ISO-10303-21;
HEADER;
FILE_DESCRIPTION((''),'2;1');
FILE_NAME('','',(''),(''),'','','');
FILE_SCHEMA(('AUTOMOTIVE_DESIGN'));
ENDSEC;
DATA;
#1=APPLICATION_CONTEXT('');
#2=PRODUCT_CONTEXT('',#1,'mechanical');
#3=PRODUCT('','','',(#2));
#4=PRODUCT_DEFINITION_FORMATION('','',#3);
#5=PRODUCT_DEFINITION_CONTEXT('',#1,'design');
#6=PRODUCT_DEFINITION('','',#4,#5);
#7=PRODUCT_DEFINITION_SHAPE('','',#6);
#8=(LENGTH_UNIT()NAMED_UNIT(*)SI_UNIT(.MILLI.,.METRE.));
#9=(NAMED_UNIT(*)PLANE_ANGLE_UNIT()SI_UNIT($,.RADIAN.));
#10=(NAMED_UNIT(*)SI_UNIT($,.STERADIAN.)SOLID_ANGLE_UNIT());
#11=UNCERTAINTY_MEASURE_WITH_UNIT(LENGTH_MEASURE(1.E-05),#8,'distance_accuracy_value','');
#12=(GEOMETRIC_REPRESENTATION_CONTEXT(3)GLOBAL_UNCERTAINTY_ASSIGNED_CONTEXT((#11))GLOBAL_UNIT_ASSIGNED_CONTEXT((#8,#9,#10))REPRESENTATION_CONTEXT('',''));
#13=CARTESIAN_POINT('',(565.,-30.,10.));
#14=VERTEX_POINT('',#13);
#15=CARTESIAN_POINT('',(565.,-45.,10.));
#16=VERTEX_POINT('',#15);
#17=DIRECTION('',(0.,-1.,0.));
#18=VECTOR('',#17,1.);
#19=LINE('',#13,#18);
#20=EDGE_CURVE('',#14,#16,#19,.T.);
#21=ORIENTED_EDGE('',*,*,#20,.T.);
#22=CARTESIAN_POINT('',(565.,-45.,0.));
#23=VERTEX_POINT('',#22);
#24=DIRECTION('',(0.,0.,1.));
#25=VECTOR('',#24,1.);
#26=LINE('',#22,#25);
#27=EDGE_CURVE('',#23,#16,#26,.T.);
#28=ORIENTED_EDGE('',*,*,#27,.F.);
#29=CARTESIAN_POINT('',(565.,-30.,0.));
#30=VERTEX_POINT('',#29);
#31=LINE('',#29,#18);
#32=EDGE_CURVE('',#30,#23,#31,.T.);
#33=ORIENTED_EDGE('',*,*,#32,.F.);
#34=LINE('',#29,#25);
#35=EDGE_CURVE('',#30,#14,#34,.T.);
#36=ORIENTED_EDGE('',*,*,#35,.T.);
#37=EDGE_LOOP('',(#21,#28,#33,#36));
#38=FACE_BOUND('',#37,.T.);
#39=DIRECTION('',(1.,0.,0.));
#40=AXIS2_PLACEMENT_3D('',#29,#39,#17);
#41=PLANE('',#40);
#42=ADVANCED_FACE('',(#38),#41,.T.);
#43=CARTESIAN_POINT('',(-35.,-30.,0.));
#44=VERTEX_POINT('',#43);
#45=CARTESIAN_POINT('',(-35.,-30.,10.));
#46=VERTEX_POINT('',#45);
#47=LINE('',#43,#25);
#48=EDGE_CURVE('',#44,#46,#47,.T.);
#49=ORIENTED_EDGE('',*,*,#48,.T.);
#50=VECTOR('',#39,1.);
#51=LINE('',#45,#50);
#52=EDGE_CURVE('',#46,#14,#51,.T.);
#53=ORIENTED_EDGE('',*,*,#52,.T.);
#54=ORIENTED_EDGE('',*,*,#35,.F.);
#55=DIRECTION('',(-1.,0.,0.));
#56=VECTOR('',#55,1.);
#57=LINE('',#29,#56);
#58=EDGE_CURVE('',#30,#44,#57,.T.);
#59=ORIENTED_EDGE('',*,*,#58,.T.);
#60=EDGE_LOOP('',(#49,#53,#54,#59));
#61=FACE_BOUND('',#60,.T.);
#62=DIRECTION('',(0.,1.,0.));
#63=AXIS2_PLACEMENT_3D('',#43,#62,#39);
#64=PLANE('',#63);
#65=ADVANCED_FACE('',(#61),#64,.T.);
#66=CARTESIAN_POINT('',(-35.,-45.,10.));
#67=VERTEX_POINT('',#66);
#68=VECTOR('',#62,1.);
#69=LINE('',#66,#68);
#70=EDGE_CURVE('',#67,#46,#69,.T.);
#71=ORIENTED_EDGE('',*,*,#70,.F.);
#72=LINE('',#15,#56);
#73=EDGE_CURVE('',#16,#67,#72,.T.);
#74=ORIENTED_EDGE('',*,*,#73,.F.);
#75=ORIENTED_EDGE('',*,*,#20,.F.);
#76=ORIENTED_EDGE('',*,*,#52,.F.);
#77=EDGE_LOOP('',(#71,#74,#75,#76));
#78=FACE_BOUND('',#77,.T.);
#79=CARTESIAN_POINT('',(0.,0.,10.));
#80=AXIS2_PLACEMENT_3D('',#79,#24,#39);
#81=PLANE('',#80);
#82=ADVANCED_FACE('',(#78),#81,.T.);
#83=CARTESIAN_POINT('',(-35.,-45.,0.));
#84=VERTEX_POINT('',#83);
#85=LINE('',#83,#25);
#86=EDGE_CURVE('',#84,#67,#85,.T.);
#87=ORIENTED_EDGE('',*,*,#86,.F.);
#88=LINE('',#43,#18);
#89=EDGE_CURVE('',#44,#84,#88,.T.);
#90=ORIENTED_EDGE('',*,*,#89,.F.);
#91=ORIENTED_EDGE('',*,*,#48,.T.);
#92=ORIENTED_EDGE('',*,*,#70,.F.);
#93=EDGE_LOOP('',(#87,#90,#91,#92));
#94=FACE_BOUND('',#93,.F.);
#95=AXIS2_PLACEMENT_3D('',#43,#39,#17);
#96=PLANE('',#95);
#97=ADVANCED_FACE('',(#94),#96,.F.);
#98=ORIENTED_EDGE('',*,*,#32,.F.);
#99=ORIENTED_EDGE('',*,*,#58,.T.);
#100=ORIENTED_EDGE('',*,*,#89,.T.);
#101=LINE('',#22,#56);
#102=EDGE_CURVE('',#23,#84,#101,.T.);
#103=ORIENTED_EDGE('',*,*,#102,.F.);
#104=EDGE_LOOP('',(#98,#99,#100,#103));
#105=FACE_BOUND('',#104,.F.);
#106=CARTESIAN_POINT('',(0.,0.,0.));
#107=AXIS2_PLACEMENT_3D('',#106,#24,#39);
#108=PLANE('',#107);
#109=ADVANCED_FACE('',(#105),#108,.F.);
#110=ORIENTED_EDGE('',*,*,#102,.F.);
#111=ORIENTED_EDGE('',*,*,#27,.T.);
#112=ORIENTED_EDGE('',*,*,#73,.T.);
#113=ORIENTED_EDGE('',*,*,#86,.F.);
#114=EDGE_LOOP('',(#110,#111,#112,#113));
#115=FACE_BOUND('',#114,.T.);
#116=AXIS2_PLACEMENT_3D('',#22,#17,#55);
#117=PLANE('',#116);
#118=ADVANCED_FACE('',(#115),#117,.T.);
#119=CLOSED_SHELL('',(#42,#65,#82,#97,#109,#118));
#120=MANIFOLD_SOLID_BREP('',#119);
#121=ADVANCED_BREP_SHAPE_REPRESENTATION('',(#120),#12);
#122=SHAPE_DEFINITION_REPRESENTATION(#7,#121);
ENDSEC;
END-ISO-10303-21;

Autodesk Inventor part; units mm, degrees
ref_plane "YZ Plane" through (0, 0, 0) normal (1, 0, 0) x (0, 1, 0)
ref_plane "XZ Plane" through (0, 0, 0) normal (0, 1, 0) x (-1, 0, 0)
ref_plane "XY Plane" through (0, 0, 0) normal (0, 0, 1) x (1, 0, 0)
ref_plane "Work Plane1" through (0, 0, 0) normal (0, 0, 1) x (1, 0, 0)
sketch "Sketch1" plane through (0, 0, 0) normal (0, 0, 1) x (1, 0, 0)
  line L0 (-35, 35) -> (-35, -35) projected
  line L1 (-35, -35) -> (35, -35) projected
  line L2 (35, -35) -> (35, -30) projected
  line L3 (35, -30) -> (-25, -30) projected
  line L4 (-25, -30) -> (-25, 30) projected
  line L5 (-25, 30) -> (35, 30) projected
  line L6 (35, 30) -> (35, 35) projected
  line L7 (35, 35) -> (-35, 35) projected
  line L8 (-35, -30) -> (565, -30)
  line L9 (565, -30) -> (565, -45)
  line L10 (565, -45) -> (-35, -45)
  line L11 (-35, -45) -> (-35, -30)
  point P0 (0, 0)
  dimension "d0" = 600
  dimension "d1" = 15
extrude "Extrusion1" add sketch "Sketch1" along normal blind 10 contours L8 L3 L2 L1 L0 | L1 L2 L8 L9 L10 L11
properties part number "szynka"
